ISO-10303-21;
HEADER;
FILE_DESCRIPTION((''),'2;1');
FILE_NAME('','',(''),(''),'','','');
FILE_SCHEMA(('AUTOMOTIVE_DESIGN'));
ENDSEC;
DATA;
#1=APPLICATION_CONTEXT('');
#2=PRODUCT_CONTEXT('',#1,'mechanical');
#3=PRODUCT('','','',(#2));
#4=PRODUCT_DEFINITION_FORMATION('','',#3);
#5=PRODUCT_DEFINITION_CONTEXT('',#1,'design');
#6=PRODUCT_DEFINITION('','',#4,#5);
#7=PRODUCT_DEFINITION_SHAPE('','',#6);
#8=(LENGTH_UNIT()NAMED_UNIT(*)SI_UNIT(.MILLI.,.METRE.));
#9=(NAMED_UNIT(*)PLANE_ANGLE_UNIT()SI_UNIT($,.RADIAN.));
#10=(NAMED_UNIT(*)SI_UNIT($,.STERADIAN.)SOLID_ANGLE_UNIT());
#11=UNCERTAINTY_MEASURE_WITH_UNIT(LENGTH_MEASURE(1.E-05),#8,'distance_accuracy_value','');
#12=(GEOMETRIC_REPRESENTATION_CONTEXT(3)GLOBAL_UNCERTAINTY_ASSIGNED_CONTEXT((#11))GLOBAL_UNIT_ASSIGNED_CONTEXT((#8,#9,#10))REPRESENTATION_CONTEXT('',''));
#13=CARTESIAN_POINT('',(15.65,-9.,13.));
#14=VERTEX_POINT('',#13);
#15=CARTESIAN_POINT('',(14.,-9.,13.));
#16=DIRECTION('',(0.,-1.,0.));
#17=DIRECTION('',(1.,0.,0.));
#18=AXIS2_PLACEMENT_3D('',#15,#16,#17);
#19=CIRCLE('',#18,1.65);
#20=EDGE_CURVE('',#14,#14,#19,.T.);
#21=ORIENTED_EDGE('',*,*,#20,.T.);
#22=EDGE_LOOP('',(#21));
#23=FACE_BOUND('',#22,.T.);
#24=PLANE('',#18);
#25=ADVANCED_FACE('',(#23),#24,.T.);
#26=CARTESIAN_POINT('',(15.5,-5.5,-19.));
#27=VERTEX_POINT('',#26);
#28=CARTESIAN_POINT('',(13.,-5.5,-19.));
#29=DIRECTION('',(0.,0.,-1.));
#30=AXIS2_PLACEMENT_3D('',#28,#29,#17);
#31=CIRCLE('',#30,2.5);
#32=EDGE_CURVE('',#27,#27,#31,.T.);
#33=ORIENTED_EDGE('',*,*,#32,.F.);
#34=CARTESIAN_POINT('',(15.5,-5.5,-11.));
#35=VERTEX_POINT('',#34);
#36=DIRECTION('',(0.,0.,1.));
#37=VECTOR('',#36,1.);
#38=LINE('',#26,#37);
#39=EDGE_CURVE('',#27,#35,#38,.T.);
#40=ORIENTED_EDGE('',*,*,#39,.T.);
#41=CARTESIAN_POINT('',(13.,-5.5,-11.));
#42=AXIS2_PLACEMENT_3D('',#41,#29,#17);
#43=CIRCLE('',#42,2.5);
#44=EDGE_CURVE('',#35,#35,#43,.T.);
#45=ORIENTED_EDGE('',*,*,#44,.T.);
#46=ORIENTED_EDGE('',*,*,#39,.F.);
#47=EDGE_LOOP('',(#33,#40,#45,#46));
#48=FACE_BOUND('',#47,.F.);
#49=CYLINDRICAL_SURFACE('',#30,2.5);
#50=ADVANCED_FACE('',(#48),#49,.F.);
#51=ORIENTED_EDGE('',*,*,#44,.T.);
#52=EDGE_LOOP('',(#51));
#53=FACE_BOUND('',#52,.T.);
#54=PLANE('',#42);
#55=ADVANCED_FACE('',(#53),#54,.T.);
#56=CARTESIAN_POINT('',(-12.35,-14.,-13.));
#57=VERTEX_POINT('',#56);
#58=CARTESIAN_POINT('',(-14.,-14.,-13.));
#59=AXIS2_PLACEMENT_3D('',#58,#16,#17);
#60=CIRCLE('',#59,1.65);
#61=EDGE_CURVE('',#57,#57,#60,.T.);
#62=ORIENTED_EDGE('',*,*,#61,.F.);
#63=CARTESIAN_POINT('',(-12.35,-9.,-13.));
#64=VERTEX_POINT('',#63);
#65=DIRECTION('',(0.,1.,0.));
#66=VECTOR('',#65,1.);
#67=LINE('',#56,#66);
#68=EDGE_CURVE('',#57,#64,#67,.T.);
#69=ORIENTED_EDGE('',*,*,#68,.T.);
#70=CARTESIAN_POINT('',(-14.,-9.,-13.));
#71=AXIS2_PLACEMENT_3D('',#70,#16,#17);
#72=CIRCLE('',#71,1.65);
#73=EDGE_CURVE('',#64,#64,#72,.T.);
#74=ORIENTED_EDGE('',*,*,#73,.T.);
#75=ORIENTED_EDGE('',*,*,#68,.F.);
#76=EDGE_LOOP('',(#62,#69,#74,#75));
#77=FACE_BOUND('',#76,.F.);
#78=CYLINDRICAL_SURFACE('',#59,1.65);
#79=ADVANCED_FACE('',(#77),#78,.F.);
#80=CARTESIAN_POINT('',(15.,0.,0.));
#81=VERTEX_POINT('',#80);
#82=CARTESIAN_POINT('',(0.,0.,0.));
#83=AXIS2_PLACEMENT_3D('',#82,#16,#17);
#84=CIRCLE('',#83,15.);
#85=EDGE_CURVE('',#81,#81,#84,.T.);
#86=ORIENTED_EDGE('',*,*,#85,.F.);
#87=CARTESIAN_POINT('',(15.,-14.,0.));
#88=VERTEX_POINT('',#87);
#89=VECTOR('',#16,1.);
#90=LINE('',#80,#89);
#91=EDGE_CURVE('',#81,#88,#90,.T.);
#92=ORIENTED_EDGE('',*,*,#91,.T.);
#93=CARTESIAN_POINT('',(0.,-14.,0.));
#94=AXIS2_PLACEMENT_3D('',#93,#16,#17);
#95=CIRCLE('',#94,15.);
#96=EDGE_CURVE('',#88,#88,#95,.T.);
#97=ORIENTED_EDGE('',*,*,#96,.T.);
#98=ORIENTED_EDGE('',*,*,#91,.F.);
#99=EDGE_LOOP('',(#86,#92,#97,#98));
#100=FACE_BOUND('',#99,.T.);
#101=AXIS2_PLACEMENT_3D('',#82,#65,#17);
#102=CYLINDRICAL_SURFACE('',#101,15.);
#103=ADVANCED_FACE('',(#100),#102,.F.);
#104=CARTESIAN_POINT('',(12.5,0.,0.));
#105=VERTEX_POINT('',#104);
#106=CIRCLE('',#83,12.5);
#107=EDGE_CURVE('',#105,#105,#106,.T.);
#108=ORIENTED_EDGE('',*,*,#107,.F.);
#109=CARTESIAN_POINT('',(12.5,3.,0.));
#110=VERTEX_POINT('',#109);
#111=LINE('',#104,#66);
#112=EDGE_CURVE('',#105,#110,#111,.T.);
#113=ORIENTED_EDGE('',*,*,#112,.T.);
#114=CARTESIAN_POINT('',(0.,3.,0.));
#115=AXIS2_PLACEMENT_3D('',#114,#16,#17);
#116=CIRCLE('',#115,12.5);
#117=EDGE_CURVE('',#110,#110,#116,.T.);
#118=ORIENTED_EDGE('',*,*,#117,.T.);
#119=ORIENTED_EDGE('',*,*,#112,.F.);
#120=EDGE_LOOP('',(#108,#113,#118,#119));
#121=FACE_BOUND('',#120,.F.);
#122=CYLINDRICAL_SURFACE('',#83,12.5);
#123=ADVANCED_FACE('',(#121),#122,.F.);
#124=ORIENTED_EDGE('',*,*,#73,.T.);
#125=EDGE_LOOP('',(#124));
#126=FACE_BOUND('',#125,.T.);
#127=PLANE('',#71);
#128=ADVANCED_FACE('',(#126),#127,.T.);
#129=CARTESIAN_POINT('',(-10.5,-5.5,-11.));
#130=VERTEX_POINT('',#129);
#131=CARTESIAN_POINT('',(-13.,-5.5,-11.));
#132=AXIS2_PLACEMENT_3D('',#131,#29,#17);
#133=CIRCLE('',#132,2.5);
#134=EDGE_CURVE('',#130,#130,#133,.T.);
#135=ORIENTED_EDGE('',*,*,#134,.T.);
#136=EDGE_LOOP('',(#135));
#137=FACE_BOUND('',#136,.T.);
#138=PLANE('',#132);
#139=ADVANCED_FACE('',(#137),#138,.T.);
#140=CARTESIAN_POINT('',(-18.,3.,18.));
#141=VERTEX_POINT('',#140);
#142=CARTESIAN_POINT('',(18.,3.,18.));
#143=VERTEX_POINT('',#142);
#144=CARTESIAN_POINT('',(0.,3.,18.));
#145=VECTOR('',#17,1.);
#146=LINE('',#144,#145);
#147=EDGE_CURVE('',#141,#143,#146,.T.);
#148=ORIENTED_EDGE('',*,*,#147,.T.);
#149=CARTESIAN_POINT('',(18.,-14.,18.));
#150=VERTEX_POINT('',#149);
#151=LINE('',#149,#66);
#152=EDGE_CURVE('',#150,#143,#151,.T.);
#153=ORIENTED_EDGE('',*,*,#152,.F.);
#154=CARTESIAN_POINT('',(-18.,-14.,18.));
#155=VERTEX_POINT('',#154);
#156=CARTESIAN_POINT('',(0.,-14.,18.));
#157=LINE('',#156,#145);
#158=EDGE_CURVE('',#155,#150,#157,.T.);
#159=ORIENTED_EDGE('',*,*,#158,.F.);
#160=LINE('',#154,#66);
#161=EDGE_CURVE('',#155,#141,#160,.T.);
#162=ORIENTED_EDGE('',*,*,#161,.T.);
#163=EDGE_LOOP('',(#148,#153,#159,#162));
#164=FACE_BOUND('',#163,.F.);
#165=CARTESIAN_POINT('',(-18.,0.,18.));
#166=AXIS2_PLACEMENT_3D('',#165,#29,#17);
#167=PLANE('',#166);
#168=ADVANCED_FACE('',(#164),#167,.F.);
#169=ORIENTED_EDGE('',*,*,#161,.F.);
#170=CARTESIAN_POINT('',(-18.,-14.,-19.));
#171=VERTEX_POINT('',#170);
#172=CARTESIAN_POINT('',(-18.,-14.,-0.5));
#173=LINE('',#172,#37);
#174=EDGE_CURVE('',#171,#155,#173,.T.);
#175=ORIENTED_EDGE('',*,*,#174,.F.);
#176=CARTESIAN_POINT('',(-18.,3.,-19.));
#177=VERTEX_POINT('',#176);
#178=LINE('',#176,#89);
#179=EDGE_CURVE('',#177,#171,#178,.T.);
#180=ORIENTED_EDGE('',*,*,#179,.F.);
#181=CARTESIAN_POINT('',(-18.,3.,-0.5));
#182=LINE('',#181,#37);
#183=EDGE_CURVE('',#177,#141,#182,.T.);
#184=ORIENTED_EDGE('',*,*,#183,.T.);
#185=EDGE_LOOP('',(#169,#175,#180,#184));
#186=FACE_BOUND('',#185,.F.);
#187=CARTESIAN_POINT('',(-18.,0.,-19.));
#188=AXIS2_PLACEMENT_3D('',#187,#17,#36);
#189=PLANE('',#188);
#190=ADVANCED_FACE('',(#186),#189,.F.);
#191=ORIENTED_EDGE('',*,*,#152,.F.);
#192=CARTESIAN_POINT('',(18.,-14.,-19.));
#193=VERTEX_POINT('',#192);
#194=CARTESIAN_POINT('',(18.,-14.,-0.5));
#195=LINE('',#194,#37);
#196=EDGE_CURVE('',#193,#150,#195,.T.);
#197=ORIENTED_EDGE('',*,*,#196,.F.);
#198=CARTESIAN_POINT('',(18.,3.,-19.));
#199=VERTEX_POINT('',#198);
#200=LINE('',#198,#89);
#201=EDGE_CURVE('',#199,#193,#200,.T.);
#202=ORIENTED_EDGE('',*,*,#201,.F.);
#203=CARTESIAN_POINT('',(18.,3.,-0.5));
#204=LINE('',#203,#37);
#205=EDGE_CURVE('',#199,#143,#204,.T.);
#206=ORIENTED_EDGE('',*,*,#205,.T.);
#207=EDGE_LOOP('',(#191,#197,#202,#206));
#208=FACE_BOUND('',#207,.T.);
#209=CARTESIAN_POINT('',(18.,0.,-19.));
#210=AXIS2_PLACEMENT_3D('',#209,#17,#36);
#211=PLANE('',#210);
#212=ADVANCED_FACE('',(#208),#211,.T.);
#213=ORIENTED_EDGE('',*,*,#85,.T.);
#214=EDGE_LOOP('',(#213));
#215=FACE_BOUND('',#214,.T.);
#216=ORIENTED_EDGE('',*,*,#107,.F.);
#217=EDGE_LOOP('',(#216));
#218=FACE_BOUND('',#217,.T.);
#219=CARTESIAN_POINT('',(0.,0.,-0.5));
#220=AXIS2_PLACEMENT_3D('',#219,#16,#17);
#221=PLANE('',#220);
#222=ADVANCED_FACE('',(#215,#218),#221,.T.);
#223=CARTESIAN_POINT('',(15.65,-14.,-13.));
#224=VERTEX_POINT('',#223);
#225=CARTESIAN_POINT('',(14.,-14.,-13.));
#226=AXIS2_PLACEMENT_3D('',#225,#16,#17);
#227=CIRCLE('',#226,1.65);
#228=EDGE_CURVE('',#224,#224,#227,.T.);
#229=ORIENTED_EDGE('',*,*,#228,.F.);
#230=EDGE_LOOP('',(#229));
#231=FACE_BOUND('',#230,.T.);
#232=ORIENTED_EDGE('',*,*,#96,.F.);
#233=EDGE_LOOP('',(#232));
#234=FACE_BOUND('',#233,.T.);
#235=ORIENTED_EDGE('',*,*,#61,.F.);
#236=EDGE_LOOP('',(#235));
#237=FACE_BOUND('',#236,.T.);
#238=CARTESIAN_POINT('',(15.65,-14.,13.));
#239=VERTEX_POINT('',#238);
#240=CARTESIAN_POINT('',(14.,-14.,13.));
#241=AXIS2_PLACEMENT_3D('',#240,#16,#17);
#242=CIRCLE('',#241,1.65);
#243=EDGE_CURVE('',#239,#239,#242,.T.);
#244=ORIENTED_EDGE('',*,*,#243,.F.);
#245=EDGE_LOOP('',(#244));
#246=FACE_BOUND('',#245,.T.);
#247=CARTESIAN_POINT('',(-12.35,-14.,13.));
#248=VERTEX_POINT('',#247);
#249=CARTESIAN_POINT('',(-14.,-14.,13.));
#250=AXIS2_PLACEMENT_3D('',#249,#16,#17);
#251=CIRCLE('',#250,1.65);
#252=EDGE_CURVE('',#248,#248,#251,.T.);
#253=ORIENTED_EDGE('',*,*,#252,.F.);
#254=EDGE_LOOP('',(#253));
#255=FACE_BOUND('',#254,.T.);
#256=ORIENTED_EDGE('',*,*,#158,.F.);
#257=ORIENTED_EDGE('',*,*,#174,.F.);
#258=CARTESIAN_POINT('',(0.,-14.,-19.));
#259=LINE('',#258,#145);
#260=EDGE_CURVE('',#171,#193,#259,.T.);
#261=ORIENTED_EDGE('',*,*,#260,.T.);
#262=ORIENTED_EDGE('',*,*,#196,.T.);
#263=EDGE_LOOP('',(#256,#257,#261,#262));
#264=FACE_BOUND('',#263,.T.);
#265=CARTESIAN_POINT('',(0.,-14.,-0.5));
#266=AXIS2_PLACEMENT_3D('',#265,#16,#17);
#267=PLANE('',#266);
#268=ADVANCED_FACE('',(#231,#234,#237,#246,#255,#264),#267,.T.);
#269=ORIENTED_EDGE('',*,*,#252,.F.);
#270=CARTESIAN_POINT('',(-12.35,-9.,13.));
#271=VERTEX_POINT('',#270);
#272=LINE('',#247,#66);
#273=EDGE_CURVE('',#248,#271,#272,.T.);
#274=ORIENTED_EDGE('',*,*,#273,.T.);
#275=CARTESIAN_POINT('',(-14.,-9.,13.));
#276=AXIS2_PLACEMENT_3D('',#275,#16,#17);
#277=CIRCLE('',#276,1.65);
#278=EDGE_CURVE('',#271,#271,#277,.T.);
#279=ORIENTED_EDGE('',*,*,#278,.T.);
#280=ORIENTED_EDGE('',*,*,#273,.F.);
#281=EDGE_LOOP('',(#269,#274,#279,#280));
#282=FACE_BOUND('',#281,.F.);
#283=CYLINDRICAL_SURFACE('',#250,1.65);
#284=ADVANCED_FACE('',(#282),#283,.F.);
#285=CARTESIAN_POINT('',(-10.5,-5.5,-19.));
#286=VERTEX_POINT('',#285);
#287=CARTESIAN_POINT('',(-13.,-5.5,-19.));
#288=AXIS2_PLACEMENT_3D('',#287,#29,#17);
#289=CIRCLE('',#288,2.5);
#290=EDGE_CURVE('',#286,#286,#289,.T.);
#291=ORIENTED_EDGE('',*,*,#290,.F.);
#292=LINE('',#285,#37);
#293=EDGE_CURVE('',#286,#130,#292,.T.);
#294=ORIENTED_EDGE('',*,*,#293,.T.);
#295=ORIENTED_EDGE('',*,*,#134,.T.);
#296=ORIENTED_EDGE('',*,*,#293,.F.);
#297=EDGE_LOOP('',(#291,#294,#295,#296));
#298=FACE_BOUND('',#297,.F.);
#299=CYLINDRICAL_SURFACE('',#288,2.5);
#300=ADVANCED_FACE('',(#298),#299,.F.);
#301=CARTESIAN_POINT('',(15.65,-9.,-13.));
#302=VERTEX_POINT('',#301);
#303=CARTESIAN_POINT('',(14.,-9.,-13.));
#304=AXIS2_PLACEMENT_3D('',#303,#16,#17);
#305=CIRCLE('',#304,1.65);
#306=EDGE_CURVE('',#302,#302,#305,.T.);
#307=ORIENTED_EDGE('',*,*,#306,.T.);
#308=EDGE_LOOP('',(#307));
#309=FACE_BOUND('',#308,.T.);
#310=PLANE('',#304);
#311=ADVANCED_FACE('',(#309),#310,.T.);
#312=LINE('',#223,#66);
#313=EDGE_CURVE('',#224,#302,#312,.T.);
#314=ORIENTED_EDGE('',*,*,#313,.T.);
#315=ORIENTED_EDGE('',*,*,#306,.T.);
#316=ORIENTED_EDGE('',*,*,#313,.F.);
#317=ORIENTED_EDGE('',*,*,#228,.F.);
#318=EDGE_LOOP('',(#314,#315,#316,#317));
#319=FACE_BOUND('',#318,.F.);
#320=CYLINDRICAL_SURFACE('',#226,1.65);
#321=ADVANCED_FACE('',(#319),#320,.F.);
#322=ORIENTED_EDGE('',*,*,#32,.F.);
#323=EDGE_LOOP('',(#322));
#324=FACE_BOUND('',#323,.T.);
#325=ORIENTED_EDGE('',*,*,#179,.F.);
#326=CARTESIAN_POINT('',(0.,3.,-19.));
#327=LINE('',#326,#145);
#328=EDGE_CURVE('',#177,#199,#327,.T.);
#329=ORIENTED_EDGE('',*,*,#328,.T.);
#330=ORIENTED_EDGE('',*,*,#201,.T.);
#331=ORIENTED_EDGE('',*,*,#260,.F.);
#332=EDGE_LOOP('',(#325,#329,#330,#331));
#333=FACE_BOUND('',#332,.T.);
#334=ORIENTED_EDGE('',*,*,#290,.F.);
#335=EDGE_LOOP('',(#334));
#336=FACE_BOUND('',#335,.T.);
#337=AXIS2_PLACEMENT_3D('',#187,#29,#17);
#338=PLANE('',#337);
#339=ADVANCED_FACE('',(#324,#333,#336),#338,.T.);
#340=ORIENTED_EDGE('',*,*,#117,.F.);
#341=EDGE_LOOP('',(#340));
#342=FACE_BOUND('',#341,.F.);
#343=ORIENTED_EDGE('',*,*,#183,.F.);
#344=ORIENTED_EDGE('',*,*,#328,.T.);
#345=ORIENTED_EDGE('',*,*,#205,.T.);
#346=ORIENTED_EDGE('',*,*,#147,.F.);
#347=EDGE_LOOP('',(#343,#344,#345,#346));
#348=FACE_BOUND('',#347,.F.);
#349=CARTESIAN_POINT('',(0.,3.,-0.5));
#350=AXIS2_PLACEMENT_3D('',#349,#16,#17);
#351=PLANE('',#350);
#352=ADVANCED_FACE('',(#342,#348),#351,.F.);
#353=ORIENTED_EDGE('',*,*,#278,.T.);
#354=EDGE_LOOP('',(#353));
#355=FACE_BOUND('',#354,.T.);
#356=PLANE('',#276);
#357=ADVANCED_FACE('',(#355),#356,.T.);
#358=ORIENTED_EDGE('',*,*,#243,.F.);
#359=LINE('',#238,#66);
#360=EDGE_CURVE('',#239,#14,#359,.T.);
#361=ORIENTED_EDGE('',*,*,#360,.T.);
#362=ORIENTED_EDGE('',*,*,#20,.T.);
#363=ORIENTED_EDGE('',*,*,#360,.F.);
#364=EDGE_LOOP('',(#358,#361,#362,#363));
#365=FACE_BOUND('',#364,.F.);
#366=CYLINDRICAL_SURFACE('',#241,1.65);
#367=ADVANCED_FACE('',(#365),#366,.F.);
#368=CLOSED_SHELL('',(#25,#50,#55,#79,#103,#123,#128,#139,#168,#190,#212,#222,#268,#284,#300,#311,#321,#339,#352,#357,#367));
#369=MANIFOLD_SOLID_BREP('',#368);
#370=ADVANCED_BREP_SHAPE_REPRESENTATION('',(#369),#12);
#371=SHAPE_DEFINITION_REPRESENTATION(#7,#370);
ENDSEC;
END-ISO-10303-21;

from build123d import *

# Parameters (mm, degrees)
F0_W     = 36
F0_H     = 37
F0_R     = 15
F1_DEPTH = 14
F0_R_2   = 12.5
F2_DEPTH = 3
F3_R     = 1.65
F4_DEPTH = 5
F5_R     = 2.5
F6_DEPTH = 8


with BuildPart() as f1:
    # F0 (on Front) → F1 (new body)
    with BuildSketch(Plane.XZ):
        with Locations((0, -0.5)):
            Rectangle(F0_W, F0_H)
        Circle(F0_R, mode=Mode.SUBTRACT)
    extrude(amount=F1_DEPTH)

    # F0 (on Front) → F2 (join)
    with BuildSketch(Plane.XZ):
        with Locations((0, -0.5)):
            Rectangle(F0_W, F0_H)
        Circle(F0_R, mode=Mode.SUBTRACT)
        Circle(F0_R)
        Circle(F0_R_2, mode=Mode.SUBTRACT)
    extrude(amount=-F2_DEPTH)

    # F3 (on face) → F4 (cut)
    with BuildSketch(Plane.XZ.offset(14)):
        with Locations((-14, 13)):
            Circle(F3_R)
        with Locations((-14, -13)):
            Circle(F3_R)
        with Locations((14, -13)):
            Circle(F3_R)
        with Locations((14, 13)):
            Circle(F3_R)
    extrude(amount=-F4_DEPTH, mode=Mode.SUBTRACT)

    # F5 (on face) → F6 (cut)
    with BuildSketch(Plane(origin=(0, 0, -19), x_dir=(1, 0, 0), z_dir=(0, 0, -1))):
        with Locations((-13, 5.5)):
            Circle(F5_R)
        with Locations((13, 5.5)):
            Circle(F5_R)
    extrude(amount=-F6_DEPTH, mode=Mode.SUBTRACT)


solid = f1.part
